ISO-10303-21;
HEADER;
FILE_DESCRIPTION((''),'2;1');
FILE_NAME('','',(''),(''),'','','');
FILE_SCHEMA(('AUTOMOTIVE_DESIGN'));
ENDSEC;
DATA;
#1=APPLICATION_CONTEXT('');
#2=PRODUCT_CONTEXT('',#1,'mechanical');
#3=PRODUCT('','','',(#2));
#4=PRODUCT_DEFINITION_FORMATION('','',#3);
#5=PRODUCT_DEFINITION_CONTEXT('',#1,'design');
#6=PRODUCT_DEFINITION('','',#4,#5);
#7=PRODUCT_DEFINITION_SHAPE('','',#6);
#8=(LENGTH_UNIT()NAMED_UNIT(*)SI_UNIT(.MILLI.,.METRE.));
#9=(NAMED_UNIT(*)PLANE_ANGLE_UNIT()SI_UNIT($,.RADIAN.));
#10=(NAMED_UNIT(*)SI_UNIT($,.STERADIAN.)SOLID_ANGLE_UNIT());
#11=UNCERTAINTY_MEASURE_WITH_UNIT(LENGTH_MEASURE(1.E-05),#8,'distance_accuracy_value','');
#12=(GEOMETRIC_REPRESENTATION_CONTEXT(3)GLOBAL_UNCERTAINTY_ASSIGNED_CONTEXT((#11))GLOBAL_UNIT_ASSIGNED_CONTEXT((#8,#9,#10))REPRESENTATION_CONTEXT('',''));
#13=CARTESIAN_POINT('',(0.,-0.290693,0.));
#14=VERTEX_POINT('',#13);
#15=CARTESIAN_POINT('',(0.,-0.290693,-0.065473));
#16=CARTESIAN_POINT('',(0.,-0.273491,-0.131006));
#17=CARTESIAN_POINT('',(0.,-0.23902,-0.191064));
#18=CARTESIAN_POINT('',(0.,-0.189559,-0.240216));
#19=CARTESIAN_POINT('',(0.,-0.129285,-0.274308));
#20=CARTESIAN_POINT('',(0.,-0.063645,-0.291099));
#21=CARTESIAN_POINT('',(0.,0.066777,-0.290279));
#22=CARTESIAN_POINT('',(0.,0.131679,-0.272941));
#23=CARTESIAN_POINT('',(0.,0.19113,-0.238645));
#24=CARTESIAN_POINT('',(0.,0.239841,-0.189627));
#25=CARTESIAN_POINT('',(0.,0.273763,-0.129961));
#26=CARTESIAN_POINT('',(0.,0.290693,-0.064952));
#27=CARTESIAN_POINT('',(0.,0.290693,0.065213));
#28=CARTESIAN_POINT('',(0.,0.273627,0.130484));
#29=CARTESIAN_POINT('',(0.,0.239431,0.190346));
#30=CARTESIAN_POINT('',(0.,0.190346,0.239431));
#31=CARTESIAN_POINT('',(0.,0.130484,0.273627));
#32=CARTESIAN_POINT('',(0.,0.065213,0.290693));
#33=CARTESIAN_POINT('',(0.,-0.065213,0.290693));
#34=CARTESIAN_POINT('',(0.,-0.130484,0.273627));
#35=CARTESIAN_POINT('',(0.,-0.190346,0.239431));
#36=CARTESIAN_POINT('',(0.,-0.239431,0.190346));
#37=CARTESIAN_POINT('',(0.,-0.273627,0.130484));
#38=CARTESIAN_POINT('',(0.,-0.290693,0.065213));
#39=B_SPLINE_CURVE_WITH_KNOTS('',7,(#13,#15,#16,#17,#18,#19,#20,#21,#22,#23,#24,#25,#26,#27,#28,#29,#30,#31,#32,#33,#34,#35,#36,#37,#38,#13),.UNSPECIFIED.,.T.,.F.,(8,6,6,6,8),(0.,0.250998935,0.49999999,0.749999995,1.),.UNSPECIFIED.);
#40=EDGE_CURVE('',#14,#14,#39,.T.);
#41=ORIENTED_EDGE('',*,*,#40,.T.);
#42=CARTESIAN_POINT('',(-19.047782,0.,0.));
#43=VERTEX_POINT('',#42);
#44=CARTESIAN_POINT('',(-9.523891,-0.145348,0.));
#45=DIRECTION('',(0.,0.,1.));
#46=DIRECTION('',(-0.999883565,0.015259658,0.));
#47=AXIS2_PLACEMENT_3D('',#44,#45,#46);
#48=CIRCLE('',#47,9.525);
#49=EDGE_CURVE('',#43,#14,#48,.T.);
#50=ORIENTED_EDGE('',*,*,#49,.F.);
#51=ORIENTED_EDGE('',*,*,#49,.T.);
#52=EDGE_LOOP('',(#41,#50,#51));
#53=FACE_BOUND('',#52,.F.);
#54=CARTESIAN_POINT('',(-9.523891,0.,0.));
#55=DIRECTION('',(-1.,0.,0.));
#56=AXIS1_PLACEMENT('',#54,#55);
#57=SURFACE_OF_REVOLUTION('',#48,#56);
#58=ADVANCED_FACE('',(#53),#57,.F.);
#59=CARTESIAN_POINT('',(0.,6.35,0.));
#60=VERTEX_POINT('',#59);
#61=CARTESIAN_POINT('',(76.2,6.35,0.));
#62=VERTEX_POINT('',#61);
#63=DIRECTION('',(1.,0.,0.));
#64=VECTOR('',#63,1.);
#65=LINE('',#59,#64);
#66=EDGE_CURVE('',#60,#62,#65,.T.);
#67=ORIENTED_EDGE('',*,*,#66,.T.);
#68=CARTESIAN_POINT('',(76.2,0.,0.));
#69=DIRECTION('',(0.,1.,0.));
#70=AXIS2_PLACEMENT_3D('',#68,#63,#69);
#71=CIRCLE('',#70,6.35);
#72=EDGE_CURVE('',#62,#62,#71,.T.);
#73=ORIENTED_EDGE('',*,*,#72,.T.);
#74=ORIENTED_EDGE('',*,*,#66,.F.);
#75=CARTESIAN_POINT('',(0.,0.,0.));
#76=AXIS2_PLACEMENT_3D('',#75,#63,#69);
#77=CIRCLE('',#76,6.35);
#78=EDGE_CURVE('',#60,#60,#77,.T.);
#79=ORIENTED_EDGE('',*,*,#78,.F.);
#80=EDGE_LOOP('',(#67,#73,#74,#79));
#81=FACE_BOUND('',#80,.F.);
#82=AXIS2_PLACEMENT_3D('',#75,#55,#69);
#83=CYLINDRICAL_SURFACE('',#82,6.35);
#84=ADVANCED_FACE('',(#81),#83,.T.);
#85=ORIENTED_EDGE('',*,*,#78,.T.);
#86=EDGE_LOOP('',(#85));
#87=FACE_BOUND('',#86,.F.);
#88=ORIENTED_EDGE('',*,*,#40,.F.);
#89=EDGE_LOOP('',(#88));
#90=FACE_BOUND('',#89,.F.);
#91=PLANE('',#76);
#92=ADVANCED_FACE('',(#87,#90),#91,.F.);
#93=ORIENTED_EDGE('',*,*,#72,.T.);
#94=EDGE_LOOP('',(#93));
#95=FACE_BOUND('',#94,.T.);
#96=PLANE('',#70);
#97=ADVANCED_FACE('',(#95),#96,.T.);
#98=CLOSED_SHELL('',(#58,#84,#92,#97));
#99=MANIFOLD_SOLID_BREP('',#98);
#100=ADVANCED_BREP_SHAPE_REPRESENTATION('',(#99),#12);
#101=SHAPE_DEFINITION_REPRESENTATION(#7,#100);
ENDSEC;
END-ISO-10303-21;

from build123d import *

# Parameters (mm, degrees)
F2_R     = 6.35
F3_DEPTH = 76.2


with BuildPart() as f1:
    # F0 (on Top) → F1 (revolve)
    with BuildSketch(Plane.XY):
        with BuildLine():
            ThreePointArc((0.001109, -0.145349), (0.000832, -0.072672), (0, 0))
            Line((0, 0), (-19.047782, 0))
            ThreePointArc((-19.047782, 0), (-9.596567, -9.670071), (0.001109, -0.145349))
        make_face()
    revolve(axis=Axis((-9.523891, 0, 0), (-1, 0, 0)))

    # F2 (on Right) → F3 (join)
    with BuildSketch(Plane.YZ):
        Circle(F2_R)
    extrude(amount=F3_DEPTH)


solid = f1.part
